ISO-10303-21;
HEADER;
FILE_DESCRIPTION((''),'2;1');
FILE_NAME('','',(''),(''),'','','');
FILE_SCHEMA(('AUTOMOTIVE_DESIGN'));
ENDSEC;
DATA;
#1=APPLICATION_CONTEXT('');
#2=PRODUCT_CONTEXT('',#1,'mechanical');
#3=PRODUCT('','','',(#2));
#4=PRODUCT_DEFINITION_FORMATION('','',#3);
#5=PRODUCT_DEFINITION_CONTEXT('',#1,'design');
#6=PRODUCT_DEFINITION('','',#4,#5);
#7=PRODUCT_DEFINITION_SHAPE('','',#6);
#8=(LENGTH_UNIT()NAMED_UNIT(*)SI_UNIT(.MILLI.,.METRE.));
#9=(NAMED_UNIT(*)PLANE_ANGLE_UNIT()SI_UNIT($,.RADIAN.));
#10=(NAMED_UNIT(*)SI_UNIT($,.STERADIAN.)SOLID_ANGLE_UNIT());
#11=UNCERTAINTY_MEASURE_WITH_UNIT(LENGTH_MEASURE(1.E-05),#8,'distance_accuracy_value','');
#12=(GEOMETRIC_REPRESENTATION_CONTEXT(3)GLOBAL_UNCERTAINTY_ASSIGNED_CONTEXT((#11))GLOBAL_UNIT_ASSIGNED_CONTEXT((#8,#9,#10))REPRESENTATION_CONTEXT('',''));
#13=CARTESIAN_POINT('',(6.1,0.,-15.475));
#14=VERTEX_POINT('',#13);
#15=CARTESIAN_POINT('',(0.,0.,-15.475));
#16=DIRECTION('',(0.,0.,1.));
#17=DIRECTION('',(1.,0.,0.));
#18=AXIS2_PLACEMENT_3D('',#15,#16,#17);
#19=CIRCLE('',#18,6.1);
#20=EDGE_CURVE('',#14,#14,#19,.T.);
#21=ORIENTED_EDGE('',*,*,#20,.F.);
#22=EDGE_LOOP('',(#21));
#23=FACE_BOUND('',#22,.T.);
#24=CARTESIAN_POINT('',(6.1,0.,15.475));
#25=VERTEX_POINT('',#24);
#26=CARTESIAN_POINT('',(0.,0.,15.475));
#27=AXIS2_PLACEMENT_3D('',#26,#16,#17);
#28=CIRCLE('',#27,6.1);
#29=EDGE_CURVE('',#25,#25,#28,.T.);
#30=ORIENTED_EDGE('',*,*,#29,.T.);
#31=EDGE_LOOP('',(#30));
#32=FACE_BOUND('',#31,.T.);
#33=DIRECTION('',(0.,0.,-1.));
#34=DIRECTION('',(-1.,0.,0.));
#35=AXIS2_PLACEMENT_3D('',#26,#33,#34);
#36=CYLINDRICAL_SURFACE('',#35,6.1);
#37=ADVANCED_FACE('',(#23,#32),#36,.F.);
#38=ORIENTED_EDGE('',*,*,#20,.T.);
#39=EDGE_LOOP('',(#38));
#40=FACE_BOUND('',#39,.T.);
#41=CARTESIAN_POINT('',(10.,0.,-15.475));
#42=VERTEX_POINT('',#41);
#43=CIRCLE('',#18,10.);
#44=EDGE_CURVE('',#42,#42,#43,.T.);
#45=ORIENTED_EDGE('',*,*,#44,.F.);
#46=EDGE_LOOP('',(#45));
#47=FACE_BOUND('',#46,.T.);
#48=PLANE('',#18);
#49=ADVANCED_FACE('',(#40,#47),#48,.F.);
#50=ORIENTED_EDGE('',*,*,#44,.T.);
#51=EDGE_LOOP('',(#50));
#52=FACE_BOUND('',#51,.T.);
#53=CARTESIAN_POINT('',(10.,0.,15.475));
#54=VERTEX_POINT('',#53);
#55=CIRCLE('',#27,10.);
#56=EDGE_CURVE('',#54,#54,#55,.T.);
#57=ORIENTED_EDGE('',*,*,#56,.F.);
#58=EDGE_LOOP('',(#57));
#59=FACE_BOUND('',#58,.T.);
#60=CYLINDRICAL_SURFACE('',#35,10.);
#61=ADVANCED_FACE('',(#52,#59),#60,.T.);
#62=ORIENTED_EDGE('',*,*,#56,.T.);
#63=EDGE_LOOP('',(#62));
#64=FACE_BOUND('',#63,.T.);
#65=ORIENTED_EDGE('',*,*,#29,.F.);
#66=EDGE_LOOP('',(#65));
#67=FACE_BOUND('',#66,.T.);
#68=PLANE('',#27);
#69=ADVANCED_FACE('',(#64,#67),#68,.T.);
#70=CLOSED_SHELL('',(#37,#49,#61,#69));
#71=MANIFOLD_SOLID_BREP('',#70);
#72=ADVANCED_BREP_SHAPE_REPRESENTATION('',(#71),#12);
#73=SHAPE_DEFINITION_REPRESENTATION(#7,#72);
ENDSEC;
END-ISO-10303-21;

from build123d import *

# Parameters (mm, degrees)
SKETCH1_R           = 10
SKETCH1_R_2         = 6.1
BOSS_EXTRUDE1_DEPTH = 15.475


with BuildPart() as part:
    # Sketch1 → Boss-Extrude1 (new, symmetric)
    with BuildSketch(Plane.XY):
        Circle(SKETCH1_R)
        Circle(SKETCH1_R_2, mode=Mode.SUBTRACT)
    extrude(amount=BOSS_EXTRUDE1_DEPTH, both=True)


solid = part.part
